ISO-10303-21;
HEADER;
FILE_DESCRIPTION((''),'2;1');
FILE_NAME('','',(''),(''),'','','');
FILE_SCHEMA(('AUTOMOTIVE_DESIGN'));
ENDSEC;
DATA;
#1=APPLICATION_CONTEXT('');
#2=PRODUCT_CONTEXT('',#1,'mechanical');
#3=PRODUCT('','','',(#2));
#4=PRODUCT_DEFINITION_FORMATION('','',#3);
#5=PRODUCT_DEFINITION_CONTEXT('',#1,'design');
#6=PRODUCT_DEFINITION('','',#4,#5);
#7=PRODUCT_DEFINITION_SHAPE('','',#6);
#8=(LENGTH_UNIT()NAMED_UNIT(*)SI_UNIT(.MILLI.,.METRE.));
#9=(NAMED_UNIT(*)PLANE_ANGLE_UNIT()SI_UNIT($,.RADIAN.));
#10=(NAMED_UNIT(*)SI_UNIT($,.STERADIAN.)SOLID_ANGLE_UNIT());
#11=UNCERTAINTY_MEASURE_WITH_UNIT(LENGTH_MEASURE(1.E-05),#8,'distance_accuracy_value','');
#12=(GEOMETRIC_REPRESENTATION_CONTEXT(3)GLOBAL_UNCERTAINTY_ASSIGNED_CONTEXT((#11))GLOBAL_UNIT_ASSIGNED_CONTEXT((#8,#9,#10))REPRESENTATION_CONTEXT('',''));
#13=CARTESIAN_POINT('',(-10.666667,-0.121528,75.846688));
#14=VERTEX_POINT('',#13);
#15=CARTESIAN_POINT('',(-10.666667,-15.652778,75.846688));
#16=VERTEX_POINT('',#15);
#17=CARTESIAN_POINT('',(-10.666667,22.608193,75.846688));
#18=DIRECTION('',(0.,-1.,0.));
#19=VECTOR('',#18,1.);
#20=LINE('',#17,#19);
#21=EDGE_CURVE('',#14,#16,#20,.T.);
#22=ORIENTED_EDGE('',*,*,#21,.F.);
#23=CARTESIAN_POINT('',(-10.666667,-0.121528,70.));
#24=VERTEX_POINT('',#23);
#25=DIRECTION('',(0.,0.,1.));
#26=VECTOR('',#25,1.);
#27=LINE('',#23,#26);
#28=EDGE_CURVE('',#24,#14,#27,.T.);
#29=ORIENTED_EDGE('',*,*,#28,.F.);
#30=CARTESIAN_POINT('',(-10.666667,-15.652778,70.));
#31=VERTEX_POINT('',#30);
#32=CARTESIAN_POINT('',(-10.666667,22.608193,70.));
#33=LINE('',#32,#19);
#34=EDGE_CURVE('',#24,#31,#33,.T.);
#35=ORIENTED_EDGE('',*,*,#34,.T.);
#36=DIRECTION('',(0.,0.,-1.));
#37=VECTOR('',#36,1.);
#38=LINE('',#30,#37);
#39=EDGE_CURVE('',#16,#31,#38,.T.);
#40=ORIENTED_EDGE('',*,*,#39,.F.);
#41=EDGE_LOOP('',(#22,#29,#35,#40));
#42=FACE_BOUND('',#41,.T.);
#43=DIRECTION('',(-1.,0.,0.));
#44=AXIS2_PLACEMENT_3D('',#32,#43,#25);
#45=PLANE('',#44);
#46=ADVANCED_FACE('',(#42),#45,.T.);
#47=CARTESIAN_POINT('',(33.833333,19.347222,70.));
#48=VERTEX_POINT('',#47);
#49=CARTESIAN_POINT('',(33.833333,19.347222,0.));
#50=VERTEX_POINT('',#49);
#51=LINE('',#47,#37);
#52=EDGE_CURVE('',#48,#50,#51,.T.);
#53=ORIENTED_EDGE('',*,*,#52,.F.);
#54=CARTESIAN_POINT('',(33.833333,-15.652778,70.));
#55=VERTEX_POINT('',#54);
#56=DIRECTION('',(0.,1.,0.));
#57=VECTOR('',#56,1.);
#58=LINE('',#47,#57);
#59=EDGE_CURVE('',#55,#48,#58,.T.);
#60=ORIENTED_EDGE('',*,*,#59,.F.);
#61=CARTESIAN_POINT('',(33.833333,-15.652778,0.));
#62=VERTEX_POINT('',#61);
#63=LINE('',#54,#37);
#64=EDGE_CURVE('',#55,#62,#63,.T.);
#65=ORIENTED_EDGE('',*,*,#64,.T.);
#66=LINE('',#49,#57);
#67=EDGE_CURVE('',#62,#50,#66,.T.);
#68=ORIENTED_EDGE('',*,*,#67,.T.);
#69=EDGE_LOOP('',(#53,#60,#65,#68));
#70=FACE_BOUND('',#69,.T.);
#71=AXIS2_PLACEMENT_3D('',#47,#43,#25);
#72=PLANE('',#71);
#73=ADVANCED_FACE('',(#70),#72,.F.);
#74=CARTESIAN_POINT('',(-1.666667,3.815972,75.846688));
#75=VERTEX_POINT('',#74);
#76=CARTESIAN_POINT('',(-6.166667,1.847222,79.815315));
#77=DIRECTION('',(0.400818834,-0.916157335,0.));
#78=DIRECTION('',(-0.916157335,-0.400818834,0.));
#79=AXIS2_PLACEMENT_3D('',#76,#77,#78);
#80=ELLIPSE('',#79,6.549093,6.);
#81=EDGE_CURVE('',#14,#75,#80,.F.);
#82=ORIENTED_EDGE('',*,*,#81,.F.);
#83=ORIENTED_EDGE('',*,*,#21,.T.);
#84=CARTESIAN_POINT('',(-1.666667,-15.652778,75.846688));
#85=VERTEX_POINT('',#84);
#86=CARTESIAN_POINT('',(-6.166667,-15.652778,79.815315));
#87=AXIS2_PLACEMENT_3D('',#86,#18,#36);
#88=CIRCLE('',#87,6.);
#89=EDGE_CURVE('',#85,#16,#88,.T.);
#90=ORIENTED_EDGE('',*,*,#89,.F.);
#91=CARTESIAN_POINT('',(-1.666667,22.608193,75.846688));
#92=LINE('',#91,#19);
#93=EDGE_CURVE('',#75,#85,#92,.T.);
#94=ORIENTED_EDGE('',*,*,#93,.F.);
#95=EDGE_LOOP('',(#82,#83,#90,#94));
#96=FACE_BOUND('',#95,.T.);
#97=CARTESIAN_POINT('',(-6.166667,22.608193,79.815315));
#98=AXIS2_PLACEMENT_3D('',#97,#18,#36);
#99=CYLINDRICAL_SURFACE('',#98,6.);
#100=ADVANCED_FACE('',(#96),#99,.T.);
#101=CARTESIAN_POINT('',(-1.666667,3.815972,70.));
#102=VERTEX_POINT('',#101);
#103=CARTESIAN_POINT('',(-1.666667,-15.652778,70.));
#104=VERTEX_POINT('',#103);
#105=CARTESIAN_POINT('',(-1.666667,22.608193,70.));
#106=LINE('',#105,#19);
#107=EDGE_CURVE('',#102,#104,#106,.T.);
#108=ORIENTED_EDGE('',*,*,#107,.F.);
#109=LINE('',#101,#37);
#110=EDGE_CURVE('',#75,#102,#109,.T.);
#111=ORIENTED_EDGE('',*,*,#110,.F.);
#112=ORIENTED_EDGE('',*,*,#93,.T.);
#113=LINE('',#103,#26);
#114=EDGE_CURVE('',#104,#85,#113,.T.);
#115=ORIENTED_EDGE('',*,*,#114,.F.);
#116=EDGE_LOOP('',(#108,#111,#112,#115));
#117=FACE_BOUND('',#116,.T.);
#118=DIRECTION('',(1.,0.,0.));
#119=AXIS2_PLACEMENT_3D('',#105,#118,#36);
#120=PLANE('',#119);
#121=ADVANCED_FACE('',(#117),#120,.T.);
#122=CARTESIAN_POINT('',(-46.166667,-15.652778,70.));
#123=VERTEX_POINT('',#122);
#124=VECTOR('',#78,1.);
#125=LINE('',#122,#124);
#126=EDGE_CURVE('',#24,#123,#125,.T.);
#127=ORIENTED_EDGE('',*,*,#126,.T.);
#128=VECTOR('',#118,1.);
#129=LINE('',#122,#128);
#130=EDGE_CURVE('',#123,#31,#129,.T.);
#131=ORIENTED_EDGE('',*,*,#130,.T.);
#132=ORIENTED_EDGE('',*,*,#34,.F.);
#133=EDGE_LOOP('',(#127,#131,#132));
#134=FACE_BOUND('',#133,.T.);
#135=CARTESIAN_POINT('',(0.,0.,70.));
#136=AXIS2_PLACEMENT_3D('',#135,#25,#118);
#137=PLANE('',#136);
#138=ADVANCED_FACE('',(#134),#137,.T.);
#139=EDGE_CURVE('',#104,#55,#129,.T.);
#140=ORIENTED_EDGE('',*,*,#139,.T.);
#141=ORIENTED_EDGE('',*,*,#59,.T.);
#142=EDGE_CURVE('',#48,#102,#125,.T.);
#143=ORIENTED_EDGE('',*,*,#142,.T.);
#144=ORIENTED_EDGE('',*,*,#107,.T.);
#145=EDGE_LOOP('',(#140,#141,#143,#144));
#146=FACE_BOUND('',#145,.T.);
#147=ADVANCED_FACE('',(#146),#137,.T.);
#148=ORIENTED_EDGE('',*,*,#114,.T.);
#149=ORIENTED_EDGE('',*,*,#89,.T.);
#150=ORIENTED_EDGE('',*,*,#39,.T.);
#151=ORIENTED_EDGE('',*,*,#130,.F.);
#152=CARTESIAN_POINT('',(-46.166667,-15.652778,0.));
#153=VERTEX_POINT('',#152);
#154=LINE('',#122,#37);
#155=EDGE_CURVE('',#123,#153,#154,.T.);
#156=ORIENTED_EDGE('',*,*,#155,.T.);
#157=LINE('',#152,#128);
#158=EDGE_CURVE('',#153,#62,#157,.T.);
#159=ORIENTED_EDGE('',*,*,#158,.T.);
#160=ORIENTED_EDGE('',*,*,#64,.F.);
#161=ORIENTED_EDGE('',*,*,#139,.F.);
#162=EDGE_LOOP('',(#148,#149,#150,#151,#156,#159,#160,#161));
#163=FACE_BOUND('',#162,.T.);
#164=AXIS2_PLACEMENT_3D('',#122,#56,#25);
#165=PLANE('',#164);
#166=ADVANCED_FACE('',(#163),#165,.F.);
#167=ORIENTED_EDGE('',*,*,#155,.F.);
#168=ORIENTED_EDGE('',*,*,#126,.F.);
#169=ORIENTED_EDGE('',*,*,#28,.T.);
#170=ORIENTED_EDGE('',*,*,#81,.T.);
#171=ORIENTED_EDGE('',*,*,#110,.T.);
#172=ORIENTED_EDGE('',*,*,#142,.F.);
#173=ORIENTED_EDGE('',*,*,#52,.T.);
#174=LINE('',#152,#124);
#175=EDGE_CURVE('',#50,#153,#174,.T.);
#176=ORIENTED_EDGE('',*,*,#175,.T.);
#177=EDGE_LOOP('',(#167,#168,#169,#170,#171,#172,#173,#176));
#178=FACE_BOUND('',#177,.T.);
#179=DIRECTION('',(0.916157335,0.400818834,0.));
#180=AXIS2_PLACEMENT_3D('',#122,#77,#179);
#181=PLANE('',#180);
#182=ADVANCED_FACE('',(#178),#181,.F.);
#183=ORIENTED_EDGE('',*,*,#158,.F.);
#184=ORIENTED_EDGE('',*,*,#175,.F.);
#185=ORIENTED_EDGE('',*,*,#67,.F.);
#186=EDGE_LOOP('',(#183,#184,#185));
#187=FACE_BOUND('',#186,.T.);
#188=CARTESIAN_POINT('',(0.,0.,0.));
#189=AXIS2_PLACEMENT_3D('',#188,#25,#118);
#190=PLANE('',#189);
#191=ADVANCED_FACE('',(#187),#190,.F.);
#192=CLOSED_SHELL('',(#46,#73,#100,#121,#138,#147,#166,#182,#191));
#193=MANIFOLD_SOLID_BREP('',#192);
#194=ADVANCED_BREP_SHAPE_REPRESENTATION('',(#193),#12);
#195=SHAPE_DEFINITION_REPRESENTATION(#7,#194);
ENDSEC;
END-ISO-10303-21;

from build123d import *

# Parameters (mm, degrees)
RESSALTO_EXTRUS_O1_DEPTH = 70
RESSALTO_EXTRUS_O2_REACH = 92.865


with BuildPart() as part:
    # Esboço1 → Ressalto-extrusão1 (new body)
    with BuildSketch(Plane.XY):
        Polygon((-46.166666667, -15.652777778), (33.833333333, 19.347222222), (33.833333333, -15.652777778), align=None)
    extrude(amount=RESSALTO_EXTRUS_O1_DEPTH)

    # Ressalto-extrusão2: up to this plane
    ressalto_extrus_o2_end = Plane(origin=(-46.166666667, -15.652777778, 70), z_dir=(0.4008188340197078, -0.9161573349021892, 0))
    # Esboço3 → Ressalto-extrusão2 (add, up to the surface)
    with BuildSketch(Plane.XZ.offset(15.652777778), mode=Mode.PRIVATE) as ressalto_extrus_o2_sk1:
        with BuildLine():
            Line((-10.666666667, 70), (-1.666666667, 70))
            Line((-1.666666667, 70), (-1.666666667, 75.846688069))
            ThreePointArc((-1.666666667, 75.846688069), (-6.166666667, 85.815315035), (-10.666666667, 75.846688069))
            Line((-10.666666667, 75.846688069), (-10.666666667, 70))
        make_face()
    ressalto_extrus_o2_tool1 = split(extrude(ressalto_extrus_o2_sk1.sketch, amount=-RESSALTO_EXTRUS_O2_REACH, mode=Mode.PRIVATE), bisect_by=ressalto_extrus_o2_end, keep=Keep.BOTH, mode=Mode.PRIVATE)
    add(ressalto_extrus_o2_tool1.solids().sort_by_distance((-6.166667, -15.652778, 77.842662))[0])


solid = part.part
